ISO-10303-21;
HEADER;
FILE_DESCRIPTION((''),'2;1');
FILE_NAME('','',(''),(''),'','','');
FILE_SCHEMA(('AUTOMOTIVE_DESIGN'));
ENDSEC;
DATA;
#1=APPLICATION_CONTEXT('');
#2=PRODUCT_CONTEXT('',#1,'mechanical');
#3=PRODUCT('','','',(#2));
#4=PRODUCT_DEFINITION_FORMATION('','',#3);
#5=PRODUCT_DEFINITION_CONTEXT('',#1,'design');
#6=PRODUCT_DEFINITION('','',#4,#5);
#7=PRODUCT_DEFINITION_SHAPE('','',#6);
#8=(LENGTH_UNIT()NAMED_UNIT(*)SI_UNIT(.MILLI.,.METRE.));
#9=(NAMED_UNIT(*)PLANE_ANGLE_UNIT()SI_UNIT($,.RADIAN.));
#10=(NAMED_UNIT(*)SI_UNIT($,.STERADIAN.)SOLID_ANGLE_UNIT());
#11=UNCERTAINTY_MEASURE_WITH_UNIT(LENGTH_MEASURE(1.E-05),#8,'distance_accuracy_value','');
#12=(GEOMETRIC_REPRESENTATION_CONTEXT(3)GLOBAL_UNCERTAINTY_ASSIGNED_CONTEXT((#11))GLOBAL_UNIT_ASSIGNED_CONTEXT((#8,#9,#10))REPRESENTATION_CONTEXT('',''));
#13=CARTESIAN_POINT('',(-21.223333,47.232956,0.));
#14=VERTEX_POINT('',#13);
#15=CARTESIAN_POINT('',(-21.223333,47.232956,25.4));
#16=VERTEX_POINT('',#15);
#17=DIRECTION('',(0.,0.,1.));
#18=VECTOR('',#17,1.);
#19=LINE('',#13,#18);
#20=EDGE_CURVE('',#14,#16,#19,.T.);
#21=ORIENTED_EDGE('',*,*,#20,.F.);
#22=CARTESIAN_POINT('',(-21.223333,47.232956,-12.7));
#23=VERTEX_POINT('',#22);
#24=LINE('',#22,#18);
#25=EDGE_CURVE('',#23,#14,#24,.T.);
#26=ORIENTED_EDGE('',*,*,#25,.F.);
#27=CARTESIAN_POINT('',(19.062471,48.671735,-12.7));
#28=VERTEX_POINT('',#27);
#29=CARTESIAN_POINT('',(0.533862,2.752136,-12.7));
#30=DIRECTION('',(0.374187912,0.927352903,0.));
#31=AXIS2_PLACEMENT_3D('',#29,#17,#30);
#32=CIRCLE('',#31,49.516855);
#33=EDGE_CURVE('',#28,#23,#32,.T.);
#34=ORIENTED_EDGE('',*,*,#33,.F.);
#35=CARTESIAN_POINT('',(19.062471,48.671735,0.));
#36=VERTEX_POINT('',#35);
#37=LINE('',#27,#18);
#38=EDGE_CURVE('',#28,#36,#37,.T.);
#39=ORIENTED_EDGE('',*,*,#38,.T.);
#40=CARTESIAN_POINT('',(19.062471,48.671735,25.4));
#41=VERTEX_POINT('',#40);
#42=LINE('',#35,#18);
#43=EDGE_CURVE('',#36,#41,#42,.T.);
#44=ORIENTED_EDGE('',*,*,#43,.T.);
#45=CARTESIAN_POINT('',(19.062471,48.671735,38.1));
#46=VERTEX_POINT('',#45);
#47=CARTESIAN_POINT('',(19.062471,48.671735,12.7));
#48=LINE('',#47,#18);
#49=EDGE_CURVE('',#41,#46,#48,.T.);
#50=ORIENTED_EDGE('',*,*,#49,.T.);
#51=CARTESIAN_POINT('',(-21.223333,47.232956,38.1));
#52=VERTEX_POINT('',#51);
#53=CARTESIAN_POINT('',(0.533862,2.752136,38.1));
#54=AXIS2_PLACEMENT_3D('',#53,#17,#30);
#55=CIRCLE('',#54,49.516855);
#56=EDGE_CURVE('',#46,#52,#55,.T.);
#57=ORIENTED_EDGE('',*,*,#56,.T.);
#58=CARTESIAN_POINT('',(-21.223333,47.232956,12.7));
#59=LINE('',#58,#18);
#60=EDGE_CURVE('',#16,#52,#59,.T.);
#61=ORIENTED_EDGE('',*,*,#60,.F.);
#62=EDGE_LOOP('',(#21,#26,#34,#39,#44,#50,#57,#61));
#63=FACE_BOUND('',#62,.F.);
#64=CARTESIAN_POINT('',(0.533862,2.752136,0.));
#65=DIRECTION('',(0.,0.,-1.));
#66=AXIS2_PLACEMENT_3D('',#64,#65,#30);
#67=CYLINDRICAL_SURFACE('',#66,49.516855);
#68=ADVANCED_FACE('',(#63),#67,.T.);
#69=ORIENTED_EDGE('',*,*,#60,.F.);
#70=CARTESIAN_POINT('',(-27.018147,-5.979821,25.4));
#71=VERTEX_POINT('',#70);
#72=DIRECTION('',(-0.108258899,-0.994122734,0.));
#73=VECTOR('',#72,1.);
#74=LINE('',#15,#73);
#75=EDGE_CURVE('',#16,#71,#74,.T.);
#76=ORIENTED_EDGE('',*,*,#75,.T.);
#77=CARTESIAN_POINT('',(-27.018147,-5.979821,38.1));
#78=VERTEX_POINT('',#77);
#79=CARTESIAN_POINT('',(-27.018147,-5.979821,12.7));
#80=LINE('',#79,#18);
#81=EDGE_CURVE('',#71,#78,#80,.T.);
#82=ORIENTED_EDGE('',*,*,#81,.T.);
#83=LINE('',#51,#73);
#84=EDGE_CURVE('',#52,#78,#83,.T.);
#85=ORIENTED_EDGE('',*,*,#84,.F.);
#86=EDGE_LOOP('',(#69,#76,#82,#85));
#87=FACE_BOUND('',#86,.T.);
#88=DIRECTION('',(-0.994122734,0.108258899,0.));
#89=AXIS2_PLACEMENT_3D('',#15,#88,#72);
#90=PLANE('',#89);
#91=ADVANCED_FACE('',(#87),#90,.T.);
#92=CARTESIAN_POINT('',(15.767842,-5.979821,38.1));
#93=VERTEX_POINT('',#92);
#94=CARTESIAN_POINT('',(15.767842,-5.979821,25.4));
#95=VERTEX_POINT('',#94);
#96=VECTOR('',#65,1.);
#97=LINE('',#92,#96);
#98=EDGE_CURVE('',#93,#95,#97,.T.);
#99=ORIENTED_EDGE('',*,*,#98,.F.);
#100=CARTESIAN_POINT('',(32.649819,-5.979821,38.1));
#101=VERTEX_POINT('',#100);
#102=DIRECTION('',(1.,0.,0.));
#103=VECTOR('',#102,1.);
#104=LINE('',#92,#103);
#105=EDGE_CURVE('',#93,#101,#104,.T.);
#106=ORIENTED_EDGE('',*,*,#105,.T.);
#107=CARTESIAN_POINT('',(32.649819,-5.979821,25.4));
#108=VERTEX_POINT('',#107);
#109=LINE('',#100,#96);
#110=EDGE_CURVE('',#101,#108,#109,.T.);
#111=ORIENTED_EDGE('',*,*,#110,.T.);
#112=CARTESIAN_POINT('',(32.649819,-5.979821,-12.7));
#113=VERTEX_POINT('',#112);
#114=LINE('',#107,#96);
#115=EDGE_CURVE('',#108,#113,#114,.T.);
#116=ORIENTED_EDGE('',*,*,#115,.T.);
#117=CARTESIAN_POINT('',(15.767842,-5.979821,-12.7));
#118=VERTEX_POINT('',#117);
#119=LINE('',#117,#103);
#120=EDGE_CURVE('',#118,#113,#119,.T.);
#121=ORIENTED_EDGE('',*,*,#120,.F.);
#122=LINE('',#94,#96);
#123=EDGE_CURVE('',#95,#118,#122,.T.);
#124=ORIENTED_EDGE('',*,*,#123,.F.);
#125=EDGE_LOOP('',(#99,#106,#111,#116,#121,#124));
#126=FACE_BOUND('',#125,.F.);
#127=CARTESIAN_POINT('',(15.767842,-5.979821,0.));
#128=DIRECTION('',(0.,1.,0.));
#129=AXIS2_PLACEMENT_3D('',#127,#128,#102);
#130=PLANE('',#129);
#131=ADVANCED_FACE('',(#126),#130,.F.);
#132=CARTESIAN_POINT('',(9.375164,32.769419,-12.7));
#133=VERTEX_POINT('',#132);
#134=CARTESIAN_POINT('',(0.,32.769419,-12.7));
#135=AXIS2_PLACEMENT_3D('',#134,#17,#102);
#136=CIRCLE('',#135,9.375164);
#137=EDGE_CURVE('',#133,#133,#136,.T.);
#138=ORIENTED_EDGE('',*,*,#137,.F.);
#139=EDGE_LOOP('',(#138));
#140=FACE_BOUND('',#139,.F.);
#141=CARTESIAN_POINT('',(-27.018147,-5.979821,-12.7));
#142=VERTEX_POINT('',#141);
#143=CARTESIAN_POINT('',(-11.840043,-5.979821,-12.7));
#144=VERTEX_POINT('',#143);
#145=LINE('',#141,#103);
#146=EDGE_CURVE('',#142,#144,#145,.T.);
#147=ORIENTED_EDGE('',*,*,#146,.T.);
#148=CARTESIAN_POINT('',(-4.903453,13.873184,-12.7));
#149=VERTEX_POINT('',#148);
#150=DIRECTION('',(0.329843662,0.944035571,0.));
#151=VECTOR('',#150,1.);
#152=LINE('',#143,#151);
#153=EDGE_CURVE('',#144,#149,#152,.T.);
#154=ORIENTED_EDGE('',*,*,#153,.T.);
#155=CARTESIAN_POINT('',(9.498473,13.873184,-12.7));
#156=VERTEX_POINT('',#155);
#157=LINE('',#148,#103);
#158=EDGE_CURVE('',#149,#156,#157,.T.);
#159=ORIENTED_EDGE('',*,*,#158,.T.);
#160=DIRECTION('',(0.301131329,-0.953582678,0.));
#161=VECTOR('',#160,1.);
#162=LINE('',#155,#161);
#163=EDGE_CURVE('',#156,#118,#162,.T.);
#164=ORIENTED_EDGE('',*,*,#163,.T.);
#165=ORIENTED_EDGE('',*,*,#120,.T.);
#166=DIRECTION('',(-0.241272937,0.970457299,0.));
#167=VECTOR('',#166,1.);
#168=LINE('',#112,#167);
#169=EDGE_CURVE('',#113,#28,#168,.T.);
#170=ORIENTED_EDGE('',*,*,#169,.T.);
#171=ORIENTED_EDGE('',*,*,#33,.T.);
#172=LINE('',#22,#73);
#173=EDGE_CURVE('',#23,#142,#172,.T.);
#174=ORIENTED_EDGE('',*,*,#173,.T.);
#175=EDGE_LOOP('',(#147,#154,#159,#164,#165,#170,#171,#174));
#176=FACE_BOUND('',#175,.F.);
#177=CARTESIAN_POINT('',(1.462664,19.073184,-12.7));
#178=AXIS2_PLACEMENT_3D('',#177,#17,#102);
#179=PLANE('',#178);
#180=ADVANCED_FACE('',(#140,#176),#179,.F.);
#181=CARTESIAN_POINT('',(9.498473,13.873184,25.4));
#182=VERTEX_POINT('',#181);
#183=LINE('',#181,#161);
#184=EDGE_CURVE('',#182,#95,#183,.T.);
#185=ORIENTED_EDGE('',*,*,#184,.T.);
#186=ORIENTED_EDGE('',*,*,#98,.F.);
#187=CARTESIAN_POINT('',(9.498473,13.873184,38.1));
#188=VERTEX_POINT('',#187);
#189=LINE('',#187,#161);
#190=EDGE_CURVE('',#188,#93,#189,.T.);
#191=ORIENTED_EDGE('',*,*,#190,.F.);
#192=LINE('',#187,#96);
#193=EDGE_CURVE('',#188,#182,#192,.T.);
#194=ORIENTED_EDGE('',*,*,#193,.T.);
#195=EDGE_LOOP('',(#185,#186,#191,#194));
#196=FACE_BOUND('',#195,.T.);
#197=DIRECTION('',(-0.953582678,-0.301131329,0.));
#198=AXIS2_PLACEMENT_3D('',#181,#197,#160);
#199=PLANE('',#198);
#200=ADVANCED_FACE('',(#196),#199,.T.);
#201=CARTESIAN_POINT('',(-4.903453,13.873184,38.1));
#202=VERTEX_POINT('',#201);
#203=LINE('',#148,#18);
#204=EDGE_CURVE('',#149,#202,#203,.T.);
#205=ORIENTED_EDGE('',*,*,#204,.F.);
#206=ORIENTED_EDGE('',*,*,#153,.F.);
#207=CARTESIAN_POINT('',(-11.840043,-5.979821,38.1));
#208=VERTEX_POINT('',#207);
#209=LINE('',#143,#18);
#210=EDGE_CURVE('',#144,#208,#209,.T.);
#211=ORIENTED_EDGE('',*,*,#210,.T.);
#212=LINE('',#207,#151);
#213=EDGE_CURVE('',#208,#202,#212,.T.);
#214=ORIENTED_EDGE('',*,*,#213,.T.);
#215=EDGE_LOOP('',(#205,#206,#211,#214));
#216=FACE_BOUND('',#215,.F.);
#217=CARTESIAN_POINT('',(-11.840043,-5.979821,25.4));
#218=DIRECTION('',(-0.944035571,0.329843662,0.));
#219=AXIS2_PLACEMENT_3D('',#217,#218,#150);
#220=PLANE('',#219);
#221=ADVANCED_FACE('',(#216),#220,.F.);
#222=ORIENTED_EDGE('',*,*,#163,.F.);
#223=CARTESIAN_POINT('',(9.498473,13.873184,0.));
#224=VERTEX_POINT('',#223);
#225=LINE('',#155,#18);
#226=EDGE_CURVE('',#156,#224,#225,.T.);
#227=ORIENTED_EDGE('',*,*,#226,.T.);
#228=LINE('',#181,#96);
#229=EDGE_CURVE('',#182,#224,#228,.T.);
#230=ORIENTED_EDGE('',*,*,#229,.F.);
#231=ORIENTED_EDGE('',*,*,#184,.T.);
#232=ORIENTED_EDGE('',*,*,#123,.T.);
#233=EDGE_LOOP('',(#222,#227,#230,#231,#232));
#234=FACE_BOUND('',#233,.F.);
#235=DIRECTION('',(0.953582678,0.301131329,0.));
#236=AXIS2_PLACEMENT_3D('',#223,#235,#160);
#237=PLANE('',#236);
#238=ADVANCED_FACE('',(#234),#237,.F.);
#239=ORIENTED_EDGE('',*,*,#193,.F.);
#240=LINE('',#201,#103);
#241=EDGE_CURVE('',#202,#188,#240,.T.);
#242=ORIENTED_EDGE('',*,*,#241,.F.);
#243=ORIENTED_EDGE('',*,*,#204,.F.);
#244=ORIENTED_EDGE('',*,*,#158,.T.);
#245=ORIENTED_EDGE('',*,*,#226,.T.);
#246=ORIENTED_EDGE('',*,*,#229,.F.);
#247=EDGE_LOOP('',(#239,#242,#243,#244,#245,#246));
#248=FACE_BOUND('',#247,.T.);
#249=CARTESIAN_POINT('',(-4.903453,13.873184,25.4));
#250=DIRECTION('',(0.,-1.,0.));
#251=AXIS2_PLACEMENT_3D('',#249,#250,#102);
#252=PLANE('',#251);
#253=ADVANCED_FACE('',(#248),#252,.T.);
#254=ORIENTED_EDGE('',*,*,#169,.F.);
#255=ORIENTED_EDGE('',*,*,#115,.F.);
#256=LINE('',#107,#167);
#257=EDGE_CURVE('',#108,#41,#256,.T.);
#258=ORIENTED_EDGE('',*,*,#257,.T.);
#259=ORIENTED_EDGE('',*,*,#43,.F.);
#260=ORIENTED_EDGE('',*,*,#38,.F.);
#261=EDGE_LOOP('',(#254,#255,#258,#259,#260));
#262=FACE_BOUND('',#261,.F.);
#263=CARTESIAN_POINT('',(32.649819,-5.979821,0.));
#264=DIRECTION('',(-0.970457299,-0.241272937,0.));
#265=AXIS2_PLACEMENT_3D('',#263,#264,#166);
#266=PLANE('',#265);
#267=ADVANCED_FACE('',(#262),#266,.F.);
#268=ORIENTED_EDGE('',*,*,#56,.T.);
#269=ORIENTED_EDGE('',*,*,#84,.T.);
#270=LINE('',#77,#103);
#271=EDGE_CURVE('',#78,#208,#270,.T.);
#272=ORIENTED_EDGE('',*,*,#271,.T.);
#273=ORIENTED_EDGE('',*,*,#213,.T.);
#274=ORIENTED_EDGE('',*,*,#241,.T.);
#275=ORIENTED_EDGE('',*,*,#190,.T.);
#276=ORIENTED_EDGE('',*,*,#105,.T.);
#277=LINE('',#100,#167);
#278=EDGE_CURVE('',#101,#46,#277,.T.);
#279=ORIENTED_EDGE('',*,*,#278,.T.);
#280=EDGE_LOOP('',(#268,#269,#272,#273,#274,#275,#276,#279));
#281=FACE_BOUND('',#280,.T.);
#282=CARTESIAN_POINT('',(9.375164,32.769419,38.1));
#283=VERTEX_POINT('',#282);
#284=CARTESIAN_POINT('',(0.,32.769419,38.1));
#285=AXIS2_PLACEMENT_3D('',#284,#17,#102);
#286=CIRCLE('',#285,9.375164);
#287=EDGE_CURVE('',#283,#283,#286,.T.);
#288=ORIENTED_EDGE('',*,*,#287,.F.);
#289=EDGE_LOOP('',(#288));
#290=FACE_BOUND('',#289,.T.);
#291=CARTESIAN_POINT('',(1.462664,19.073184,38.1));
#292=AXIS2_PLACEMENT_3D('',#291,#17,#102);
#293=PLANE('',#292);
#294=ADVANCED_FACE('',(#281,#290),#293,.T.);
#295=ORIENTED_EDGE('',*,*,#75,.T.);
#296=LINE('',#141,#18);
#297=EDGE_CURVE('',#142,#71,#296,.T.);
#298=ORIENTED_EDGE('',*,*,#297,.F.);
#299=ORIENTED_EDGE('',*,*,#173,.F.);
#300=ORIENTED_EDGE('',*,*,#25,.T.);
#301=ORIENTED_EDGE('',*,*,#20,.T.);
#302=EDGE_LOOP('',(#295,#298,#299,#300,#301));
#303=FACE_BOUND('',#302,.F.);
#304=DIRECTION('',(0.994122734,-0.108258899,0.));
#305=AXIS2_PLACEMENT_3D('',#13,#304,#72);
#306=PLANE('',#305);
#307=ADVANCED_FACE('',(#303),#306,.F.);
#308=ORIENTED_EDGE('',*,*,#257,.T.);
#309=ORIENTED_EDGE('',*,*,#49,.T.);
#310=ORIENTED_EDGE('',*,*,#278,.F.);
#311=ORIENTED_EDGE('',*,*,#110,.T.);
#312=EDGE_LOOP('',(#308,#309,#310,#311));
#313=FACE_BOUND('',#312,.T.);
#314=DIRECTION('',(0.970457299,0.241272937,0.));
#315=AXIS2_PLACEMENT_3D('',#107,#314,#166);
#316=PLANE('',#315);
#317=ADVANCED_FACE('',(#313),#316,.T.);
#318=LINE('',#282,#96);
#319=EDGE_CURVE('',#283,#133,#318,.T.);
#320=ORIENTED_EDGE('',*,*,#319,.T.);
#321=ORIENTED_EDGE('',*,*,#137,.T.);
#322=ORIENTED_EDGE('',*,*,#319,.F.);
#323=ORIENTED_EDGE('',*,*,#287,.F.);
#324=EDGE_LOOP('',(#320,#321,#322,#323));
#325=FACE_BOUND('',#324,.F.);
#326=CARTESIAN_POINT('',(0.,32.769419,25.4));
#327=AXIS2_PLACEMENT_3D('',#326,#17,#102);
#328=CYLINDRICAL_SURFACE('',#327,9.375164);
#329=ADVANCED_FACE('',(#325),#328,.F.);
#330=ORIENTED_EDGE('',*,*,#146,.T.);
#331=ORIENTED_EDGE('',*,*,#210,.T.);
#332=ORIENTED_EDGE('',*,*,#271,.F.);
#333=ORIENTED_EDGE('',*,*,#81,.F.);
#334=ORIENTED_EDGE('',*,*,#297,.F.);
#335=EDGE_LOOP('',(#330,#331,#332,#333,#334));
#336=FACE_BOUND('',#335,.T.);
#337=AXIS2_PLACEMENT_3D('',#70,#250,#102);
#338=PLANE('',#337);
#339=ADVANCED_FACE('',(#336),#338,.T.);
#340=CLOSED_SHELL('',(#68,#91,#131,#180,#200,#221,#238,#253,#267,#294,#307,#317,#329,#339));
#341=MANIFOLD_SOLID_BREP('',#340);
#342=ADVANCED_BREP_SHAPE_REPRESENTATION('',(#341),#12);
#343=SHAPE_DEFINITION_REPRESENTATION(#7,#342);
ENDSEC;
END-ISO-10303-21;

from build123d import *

# Parameters (mm, degrees)
F1_DEPTH = 25.4
F2_DEPTH = 12.7
F3_R     = 9.3751640111
F4_DEPTH = 12.7
F5_DEPTH = 38.101


with BuildPart() as f1:
    # F0 (on Top) → F1 (new body)
    with BuildSketch(Plane.XY):
        with BuildLine():
            Line((32.6498188078, -5.9798206203), (19.062470553, 48.6717349119))
            ThreePointArc((19.062470553, 48.6717349119), (-1.2334703342, 52.2374412428), (-21.2233329751, 47.2329562812))
            Line((-21.2233329751, 47.2329562812), (-27.0181472742, -5.9798206203))
            Line((-27.0181472742, -5.9798206203), (-11.8400434842, -5.9798206203))
            Line((-11.8400434842, -5.9798206203), (-4.9034534022, 13.8731840998))
            Line((-4.9034534022, 13.8731840998), (9.4984725438, 13.8731840998))
            Line((9.4984725438, 13.8731840998), (15.767841556, -5.9798206203))
            Line((15.767841556, -5.9798206203), (32.6498188078, -5.9798206203))
        make_face()
    extrude(amount=F1_DEPTH)

    # F0 (on Top) + F1_face (on face) → F2 (join, symmetric)
    with BuildSketch(Plane.XY):
        with BuildLine():
            Line((32.6498188078, -5.9798206203), (19.062470553, 48.6717349119))
            ThreePointArc((19.062470553, 48.6717349119), (-1.2334703342, 52.2374412428), (-21.2233329751, 47.2329562812))
            Line((-21.2233329751, 47.2329562812), (-27.0181472742, -5.9798206203))
            Line((-27.0181472742, -5.9798206203), (-11.8400434842, -5.9798206203))
            Line((-11.8400434842, -5.9798206203), (-4.9034534022, 13.8731840998))
            Line((-4.9034534022, 13.8731840998), (9.4984725438, 13.8731840998))
            Line((9.4984725438, 13.8731840998), (15.767841556, -5.9798206203))
            Line((15.767841556, -5.9798206203), (32.6498188078, -5.9798206203))
        make_face()
    with BuildSketch(Plane(origin=(0.8435409234, 23.5753340068, 25.4), x_dir=(1, 0, 0), z_dir=(0, 0, 1))):
        with BuildLine():
            Line((31.8062778844, -29.5551546271), (18.2189296295, 25.0964009052))
            ThreePointArc((18.2189296295, 25.0964009052), (-2.0770112576, 28.662107236), (-22.0668738986, 23.6576222744))
            Line((-22.0668738986, 23.6576222744), (-27.8616881976, -29.5551546271))
            Line((-27.8616881976, -29.5551546271), (-12.6835844076, -29.5551546271))
            Line((-12.6835844076, -29.5551546271), (-5.7469943256, -9.702149907))
            Line((-5.7469943256, -9.702149907), (8.6549316203, -9.702149907))
            Line((8.6549316203, -9.702149907), (14.9243006326, -29.5551546271))
            Line((14.9243006326, -29.5551546271), (31.8062778844, -29.5551546271))
        make_face()
    extrude(amount=F2_DEPTH, both=True)

    # F3 (on face) → F4 (cut, symmetric)
    with BuildSketch(Plane.XY.offset(38.1)):
        with Locations((0, 32.7694192529)):
            Circle(F3_R)
    extrude(amount=F4_DEPTH, both=True, mode=Mode.SUBTRACT)

    # F5 (cut, through all): a face of the model
    f5_faces = [f1.faces().sort_by_distance(p)[0] for p in [
        (0, 32.7694192529, 25.4),
    ]]
    extrude(f5_faces, amount=-F5_DEPTH, mode=Mode.SUBTRACT)


solid = f1.part
